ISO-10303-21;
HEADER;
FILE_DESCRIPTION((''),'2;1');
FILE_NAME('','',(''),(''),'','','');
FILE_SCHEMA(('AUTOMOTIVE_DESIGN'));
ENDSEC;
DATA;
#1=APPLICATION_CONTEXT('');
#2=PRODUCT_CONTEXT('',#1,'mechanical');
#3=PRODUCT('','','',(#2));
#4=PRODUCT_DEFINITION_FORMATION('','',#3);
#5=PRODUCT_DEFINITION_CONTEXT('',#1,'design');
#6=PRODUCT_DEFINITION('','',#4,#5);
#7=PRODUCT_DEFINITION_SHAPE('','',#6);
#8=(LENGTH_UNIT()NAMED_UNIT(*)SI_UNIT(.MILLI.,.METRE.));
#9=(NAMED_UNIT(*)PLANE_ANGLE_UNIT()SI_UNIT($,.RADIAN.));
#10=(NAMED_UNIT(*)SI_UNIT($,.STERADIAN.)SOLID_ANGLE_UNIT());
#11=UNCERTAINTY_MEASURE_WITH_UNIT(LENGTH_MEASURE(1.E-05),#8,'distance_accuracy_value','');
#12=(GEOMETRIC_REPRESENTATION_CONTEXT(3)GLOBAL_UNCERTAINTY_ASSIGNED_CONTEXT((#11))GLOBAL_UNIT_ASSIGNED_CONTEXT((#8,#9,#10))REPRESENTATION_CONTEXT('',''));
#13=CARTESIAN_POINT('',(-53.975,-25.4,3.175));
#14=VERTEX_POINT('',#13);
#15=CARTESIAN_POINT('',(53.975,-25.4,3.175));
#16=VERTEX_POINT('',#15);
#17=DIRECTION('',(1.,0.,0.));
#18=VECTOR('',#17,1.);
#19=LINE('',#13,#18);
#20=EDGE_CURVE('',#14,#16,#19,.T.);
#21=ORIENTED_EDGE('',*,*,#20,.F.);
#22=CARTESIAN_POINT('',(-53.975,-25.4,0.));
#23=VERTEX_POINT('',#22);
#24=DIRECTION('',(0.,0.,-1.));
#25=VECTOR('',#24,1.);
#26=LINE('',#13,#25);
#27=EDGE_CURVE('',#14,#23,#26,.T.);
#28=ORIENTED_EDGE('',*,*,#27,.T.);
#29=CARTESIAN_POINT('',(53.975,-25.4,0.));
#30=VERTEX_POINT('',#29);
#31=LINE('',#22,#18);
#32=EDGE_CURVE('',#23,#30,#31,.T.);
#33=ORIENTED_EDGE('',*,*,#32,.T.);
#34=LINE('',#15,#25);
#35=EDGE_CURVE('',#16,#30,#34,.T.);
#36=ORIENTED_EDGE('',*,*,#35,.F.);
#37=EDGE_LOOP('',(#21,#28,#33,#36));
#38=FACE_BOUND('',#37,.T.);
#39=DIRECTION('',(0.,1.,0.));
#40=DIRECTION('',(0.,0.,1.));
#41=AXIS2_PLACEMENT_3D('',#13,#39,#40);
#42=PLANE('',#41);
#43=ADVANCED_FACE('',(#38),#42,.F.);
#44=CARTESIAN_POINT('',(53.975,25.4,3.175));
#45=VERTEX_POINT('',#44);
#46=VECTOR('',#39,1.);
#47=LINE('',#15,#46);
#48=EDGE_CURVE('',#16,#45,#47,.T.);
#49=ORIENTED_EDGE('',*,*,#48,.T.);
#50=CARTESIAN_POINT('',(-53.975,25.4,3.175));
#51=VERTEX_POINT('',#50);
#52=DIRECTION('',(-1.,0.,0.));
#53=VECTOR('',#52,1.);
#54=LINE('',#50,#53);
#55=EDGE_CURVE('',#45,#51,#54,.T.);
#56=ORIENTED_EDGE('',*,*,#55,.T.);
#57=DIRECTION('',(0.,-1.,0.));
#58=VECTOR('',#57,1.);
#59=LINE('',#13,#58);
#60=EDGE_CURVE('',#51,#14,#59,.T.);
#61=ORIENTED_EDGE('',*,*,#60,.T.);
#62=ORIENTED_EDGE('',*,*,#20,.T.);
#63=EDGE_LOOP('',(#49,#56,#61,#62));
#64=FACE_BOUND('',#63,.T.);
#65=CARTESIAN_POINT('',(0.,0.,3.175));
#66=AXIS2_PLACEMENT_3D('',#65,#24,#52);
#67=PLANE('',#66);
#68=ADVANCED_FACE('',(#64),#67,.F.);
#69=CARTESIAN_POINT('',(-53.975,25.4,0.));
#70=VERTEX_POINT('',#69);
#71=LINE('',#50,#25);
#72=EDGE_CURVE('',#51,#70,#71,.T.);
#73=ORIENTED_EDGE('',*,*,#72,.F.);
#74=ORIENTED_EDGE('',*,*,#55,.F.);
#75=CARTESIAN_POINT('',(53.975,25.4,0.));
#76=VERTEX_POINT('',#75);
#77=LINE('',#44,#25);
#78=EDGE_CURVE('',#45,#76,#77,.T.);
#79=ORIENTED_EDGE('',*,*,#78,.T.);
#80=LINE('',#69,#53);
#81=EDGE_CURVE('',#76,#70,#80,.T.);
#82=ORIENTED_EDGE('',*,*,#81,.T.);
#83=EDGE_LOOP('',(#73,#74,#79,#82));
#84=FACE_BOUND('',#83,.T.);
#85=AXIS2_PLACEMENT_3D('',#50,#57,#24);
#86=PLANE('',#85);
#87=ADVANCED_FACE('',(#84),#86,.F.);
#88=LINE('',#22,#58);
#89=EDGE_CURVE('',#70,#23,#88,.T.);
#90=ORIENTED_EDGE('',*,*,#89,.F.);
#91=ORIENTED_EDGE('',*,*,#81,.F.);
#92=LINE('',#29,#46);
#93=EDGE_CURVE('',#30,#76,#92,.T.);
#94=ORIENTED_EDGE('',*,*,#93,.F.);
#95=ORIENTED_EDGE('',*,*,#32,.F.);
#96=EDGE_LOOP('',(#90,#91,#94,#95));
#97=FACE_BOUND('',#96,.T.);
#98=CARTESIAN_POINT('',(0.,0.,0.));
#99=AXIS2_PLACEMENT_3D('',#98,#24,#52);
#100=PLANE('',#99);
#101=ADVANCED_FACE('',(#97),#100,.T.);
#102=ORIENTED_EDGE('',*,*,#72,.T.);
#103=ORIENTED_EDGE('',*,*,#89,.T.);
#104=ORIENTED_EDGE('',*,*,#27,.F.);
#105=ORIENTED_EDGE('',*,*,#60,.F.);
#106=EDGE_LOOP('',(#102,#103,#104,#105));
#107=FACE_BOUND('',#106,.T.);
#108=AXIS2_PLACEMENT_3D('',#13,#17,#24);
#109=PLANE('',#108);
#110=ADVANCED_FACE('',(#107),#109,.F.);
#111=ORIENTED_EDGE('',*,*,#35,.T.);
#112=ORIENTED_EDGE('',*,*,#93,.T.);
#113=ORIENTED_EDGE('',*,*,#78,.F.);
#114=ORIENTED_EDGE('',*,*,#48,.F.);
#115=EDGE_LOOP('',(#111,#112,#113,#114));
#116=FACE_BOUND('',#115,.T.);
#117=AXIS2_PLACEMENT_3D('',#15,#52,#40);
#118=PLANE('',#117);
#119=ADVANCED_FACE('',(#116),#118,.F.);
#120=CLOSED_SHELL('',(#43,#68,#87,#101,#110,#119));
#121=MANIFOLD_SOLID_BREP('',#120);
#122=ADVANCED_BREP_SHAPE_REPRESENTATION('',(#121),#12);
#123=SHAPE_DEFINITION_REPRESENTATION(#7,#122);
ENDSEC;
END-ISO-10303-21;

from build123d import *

# Parameters (mm, degrees)
SKETCH1_W           = 107.95
SKETCH1_H           = 50.8
BOSS_EXTRUDE1_DEPTH = 3.175


with BuildPart() as part:
    # Sketch1 → Boss-Extrude1 (new body)
    with BuildSketch(Plane.XY):
        Rectangle(SKETCH1_W, SKETCH1_H)
    extrude(amount=BOSS_EXTRUDE1_DEPTH)


solid = part.part
